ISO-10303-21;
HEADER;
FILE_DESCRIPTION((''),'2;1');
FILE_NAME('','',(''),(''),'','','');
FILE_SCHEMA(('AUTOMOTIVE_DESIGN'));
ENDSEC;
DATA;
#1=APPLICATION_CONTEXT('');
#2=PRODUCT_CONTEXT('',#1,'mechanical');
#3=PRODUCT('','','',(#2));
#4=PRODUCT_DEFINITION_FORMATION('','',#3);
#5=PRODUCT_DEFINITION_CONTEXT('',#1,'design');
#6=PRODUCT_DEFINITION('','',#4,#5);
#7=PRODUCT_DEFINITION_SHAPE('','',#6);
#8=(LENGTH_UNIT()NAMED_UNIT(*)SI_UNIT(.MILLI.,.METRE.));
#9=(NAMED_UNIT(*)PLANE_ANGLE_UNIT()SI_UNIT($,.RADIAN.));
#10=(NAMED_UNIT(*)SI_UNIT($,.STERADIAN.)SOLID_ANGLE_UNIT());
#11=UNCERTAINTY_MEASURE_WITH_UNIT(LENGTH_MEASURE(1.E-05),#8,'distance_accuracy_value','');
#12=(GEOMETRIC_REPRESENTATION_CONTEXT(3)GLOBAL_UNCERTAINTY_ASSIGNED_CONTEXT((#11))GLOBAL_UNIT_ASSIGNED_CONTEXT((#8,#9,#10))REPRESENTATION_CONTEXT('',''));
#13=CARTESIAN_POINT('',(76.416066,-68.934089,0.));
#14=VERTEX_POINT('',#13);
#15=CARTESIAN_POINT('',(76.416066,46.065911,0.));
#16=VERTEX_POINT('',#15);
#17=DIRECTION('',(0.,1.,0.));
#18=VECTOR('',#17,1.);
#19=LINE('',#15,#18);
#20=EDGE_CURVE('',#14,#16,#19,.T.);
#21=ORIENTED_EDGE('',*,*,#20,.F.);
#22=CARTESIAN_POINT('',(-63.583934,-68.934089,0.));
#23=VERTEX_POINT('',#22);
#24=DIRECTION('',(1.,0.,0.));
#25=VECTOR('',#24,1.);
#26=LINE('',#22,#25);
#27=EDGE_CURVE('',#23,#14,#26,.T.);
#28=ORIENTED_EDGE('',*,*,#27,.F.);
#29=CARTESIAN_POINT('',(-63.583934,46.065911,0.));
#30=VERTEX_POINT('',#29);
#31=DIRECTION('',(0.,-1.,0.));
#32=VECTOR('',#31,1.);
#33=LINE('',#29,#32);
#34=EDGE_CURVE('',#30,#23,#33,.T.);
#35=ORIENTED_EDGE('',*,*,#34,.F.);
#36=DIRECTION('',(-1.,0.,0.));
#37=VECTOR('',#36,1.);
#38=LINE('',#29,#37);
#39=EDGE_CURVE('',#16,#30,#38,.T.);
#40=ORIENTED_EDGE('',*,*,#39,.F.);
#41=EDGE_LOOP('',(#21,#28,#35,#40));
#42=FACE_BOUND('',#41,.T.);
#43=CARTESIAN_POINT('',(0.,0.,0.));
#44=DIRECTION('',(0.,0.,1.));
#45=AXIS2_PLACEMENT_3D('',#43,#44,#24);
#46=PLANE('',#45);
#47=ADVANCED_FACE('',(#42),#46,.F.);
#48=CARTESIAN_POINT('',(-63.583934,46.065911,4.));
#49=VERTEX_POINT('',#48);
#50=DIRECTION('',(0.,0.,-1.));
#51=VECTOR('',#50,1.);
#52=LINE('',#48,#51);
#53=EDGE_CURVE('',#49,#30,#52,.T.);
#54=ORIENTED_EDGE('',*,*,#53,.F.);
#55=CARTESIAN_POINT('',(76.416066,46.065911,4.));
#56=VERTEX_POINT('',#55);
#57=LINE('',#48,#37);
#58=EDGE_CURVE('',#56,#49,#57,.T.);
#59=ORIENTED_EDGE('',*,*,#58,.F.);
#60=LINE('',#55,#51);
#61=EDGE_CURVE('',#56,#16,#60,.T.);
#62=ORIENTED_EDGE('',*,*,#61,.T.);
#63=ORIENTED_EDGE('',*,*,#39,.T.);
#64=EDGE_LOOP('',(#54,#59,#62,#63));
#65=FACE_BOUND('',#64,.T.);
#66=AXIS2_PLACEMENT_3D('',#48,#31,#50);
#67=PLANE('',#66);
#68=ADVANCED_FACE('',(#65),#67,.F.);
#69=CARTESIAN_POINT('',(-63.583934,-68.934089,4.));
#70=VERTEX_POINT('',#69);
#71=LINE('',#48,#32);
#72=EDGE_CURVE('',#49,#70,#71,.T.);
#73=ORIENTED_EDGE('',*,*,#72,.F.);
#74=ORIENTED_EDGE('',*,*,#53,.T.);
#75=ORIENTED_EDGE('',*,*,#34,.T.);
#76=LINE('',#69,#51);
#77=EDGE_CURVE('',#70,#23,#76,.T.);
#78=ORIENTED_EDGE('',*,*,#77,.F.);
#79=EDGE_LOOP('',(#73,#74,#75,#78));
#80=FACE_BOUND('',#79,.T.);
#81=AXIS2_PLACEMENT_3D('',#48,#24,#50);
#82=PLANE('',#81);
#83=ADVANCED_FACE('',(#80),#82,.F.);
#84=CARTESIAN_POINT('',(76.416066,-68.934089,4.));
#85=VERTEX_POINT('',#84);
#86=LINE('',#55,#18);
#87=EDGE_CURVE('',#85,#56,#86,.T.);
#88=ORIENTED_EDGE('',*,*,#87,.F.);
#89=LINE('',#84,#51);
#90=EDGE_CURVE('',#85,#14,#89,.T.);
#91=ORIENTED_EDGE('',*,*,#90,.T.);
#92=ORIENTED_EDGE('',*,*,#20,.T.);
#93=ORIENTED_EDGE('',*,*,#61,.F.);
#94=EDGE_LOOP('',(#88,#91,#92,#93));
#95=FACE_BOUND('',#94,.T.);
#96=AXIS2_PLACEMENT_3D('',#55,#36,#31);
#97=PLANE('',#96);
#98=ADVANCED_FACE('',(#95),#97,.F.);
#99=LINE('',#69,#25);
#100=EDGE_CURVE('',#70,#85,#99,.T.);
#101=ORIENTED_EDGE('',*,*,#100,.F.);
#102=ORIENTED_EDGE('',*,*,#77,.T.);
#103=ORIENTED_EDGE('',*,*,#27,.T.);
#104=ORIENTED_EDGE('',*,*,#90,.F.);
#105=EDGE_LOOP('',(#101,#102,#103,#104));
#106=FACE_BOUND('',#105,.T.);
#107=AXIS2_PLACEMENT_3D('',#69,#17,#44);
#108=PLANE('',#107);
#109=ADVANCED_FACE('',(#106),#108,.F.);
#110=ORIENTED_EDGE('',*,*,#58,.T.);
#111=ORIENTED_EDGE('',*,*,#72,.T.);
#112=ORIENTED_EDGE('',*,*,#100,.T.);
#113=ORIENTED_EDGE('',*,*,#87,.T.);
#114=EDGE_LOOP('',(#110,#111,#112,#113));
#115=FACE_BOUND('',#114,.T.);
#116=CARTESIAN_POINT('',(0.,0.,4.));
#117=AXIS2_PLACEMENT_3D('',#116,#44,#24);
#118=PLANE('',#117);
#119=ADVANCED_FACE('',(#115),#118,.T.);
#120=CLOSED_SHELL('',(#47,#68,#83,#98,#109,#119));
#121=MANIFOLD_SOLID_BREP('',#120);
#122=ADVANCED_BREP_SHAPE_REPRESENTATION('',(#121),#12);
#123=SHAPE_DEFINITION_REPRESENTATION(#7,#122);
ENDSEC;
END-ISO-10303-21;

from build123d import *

# Parameters (mm, degrees)
SKETCH_1_W      = 140
SKETCH_1_H      = 115
EXTRUDE_1_DEPTH = 4


with BuildPart() as part:
    # 草图1 → 凸台-拉伸1 (new body)
    with BuildSketch(Plane.XY):
        with Locations((6.416065911, -11.434088568)):
            Rectangle(SKETCH_1_W, SKETCH_1_H)
    extrude(amount=EXTRUDE_1_DEPTH)


solid = part.part
